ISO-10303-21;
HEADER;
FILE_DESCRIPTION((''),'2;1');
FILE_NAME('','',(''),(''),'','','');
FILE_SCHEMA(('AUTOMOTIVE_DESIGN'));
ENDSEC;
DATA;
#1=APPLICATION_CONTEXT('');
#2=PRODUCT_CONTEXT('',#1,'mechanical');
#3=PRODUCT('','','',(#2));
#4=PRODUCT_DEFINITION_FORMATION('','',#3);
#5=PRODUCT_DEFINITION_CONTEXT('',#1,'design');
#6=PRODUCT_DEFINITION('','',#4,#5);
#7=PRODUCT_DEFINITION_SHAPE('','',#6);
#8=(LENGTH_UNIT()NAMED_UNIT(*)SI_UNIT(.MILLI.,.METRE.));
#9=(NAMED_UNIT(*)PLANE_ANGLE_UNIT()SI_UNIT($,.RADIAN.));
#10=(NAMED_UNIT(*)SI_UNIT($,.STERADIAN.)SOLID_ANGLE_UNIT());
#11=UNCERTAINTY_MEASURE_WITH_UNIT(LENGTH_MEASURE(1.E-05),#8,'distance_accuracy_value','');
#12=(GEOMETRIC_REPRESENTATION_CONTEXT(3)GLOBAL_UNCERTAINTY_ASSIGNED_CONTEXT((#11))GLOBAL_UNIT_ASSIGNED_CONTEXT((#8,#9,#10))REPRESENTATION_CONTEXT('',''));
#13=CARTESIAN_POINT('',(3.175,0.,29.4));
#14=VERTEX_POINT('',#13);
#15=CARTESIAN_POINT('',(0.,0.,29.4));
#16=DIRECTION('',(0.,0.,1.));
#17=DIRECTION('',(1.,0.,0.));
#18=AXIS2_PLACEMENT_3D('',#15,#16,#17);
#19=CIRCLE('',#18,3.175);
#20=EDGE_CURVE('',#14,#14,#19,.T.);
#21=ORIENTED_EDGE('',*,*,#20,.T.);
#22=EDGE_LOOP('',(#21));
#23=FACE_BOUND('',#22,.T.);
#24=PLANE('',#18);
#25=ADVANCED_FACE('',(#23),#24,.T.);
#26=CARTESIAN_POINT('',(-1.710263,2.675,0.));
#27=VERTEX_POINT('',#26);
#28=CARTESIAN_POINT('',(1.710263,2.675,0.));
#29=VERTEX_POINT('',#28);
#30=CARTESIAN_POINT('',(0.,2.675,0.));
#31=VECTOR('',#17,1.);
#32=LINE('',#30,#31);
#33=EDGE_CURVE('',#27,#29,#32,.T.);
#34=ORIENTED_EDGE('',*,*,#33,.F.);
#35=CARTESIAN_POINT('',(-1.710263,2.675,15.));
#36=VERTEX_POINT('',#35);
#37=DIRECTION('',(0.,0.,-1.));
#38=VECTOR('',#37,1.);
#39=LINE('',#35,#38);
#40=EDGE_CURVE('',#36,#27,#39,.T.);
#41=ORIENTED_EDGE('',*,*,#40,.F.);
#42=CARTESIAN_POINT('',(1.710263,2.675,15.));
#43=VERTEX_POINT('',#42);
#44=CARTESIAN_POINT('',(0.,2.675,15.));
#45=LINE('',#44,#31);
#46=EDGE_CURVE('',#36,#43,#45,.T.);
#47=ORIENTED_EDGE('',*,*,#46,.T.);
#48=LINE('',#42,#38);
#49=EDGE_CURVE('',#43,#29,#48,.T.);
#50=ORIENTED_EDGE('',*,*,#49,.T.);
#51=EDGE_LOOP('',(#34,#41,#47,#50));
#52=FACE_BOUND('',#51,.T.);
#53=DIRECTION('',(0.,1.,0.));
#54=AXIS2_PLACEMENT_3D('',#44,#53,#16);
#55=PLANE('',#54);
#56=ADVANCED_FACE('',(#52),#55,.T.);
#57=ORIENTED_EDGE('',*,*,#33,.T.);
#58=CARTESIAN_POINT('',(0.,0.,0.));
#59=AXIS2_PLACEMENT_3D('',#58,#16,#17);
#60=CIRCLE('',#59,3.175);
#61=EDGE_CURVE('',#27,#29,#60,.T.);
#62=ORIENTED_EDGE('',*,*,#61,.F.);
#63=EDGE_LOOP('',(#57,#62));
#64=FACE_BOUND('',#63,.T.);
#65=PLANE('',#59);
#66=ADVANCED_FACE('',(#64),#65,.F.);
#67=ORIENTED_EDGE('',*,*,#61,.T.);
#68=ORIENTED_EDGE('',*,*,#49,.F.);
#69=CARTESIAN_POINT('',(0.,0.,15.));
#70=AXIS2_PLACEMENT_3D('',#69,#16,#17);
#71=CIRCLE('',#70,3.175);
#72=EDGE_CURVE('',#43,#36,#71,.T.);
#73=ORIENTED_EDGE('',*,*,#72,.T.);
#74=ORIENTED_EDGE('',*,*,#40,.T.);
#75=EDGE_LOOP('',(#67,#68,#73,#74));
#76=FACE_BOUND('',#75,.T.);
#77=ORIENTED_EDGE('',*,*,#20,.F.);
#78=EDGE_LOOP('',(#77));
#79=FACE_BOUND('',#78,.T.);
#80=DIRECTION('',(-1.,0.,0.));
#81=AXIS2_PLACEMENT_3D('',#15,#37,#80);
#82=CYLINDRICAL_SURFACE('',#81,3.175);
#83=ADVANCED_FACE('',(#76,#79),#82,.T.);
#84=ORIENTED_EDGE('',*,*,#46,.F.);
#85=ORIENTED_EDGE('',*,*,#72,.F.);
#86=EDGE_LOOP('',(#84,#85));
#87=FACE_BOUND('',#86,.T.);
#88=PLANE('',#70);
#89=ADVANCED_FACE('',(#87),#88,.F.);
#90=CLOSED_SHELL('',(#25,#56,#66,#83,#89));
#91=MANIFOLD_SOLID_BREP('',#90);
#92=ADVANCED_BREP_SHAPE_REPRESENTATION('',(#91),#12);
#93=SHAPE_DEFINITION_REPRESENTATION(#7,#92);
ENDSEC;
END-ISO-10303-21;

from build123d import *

# Parameters (mm, degrees)
SKETCH1_R           = 3.175
BOSS_EXTRUDE1_DEPTH = 29.4
CUT_EXTRUDE1_DEPTH  = 15


with BuildPart() as part:
    # Sketch1 → Boss-Extrude1 (new body)
    with BuildSketch(Plane.XY):
        Circle(SKETCH1_R)
    extrude(amount=BOSS_EXTRUDE1_DEPTH)

    # Sketch1<3> → Cut-Extrude1 (cut)
    with BuildSketch(Plane.XY):
        with BuildLine():
            Line((-1.710263138, 2.675), (0, 2.675))
            Line((0, 2.675), (1.710263138, 2.675))
            ThreePointArc((1.710263138, 2.675), (0, 3.175), (-1.710263138, 2.675))
        make_face()
    extrude(amount=CUT_EXTRUDE1_DEPTH, mode=Mode.SUBTRACT)


solid = part.part
